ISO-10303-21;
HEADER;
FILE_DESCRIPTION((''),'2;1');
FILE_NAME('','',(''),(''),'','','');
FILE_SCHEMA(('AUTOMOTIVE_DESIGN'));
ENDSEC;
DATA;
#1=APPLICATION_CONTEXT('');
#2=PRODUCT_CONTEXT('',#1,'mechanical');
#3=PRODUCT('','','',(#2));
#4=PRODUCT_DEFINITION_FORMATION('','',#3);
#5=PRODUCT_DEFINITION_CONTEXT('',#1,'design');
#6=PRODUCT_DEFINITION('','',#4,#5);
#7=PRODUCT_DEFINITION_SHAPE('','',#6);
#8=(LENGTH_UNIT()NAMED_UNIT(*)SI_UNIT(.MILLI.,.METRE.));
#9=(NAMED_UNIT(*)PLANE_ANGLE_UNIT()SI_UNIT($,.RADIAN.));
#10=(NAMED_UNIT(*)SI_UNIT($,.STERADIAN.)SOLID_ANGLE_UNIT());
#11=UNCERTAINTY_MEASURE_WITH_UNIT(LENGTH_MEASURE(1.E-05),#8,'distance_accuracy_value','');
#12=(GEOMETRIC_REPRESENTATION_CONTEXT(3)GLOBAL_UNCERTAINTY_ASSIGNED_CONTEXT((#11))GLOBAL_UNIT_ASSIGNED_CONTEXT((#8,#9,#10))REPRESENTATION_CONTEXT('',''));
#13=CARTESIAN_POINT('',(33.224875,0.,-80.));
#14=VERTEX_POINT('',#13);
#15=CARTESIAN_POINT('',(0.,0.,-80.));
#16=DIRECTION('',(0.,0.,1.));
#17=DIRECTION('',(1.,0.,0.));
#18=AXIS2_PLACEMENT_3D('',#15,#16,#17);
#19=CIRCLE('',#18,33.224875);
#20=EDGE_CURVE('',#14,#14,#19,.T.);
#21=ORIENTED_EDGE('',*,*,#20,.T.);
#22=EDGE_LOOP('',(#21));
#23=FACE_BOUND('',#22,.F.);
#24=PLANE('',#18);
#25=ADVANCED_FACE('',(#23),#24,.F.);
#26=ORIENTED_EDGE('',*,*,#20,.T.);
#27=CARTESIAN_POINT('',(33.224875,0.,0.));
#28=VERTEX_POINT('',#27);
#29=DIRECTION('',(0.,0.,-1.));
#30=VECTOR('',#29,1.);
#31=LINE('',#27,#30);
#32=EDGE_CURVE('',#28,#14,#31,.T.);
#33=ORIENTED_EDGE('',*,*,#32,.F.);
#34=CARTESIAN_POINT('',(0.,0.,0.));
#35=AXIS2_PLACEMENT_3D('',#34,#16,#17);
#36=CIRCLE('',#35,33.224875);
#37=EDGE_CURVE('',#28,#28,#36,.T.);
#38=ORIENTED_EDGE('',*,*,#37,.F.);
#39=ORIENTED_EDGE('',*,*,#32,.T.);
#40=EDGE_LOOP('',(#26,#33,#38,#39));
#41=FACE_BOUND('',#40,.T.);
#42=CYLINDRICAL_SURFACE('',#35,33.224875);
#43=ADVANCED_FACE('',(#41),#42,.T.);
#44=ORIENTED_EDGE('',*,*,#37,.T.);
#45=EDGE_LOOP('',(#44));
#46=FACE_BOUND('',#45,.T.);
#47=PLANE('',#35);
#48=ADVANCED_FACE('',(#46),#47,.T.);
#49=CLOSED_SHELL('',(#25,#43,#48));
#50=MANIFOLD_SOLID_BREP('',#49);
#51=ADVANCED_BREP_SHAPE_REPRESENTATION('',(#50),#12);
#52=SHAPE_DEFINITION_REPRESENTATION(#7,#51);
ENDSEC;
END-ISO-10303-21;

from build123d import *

# Parameters (mm, degrees)
F0_R     = 33.224875
F1_DEPTH = 80
F2_R     = 21.826808
F3_DEPTH = 80


with BuildPart() as f1:
    # F0 (on Top) → F1 (new body)
    with BuildSketch(Plane.XY):
        Circle(F0_R)
    extrude(amount=-F1_DEPTH)

    # F2 (on face) → F3 (join, through all)
    with BuildSketch(Plane.XY):
        Circle(F2_R)
    extrude(amount=-F3_DEPTH)


solid = f1.part
